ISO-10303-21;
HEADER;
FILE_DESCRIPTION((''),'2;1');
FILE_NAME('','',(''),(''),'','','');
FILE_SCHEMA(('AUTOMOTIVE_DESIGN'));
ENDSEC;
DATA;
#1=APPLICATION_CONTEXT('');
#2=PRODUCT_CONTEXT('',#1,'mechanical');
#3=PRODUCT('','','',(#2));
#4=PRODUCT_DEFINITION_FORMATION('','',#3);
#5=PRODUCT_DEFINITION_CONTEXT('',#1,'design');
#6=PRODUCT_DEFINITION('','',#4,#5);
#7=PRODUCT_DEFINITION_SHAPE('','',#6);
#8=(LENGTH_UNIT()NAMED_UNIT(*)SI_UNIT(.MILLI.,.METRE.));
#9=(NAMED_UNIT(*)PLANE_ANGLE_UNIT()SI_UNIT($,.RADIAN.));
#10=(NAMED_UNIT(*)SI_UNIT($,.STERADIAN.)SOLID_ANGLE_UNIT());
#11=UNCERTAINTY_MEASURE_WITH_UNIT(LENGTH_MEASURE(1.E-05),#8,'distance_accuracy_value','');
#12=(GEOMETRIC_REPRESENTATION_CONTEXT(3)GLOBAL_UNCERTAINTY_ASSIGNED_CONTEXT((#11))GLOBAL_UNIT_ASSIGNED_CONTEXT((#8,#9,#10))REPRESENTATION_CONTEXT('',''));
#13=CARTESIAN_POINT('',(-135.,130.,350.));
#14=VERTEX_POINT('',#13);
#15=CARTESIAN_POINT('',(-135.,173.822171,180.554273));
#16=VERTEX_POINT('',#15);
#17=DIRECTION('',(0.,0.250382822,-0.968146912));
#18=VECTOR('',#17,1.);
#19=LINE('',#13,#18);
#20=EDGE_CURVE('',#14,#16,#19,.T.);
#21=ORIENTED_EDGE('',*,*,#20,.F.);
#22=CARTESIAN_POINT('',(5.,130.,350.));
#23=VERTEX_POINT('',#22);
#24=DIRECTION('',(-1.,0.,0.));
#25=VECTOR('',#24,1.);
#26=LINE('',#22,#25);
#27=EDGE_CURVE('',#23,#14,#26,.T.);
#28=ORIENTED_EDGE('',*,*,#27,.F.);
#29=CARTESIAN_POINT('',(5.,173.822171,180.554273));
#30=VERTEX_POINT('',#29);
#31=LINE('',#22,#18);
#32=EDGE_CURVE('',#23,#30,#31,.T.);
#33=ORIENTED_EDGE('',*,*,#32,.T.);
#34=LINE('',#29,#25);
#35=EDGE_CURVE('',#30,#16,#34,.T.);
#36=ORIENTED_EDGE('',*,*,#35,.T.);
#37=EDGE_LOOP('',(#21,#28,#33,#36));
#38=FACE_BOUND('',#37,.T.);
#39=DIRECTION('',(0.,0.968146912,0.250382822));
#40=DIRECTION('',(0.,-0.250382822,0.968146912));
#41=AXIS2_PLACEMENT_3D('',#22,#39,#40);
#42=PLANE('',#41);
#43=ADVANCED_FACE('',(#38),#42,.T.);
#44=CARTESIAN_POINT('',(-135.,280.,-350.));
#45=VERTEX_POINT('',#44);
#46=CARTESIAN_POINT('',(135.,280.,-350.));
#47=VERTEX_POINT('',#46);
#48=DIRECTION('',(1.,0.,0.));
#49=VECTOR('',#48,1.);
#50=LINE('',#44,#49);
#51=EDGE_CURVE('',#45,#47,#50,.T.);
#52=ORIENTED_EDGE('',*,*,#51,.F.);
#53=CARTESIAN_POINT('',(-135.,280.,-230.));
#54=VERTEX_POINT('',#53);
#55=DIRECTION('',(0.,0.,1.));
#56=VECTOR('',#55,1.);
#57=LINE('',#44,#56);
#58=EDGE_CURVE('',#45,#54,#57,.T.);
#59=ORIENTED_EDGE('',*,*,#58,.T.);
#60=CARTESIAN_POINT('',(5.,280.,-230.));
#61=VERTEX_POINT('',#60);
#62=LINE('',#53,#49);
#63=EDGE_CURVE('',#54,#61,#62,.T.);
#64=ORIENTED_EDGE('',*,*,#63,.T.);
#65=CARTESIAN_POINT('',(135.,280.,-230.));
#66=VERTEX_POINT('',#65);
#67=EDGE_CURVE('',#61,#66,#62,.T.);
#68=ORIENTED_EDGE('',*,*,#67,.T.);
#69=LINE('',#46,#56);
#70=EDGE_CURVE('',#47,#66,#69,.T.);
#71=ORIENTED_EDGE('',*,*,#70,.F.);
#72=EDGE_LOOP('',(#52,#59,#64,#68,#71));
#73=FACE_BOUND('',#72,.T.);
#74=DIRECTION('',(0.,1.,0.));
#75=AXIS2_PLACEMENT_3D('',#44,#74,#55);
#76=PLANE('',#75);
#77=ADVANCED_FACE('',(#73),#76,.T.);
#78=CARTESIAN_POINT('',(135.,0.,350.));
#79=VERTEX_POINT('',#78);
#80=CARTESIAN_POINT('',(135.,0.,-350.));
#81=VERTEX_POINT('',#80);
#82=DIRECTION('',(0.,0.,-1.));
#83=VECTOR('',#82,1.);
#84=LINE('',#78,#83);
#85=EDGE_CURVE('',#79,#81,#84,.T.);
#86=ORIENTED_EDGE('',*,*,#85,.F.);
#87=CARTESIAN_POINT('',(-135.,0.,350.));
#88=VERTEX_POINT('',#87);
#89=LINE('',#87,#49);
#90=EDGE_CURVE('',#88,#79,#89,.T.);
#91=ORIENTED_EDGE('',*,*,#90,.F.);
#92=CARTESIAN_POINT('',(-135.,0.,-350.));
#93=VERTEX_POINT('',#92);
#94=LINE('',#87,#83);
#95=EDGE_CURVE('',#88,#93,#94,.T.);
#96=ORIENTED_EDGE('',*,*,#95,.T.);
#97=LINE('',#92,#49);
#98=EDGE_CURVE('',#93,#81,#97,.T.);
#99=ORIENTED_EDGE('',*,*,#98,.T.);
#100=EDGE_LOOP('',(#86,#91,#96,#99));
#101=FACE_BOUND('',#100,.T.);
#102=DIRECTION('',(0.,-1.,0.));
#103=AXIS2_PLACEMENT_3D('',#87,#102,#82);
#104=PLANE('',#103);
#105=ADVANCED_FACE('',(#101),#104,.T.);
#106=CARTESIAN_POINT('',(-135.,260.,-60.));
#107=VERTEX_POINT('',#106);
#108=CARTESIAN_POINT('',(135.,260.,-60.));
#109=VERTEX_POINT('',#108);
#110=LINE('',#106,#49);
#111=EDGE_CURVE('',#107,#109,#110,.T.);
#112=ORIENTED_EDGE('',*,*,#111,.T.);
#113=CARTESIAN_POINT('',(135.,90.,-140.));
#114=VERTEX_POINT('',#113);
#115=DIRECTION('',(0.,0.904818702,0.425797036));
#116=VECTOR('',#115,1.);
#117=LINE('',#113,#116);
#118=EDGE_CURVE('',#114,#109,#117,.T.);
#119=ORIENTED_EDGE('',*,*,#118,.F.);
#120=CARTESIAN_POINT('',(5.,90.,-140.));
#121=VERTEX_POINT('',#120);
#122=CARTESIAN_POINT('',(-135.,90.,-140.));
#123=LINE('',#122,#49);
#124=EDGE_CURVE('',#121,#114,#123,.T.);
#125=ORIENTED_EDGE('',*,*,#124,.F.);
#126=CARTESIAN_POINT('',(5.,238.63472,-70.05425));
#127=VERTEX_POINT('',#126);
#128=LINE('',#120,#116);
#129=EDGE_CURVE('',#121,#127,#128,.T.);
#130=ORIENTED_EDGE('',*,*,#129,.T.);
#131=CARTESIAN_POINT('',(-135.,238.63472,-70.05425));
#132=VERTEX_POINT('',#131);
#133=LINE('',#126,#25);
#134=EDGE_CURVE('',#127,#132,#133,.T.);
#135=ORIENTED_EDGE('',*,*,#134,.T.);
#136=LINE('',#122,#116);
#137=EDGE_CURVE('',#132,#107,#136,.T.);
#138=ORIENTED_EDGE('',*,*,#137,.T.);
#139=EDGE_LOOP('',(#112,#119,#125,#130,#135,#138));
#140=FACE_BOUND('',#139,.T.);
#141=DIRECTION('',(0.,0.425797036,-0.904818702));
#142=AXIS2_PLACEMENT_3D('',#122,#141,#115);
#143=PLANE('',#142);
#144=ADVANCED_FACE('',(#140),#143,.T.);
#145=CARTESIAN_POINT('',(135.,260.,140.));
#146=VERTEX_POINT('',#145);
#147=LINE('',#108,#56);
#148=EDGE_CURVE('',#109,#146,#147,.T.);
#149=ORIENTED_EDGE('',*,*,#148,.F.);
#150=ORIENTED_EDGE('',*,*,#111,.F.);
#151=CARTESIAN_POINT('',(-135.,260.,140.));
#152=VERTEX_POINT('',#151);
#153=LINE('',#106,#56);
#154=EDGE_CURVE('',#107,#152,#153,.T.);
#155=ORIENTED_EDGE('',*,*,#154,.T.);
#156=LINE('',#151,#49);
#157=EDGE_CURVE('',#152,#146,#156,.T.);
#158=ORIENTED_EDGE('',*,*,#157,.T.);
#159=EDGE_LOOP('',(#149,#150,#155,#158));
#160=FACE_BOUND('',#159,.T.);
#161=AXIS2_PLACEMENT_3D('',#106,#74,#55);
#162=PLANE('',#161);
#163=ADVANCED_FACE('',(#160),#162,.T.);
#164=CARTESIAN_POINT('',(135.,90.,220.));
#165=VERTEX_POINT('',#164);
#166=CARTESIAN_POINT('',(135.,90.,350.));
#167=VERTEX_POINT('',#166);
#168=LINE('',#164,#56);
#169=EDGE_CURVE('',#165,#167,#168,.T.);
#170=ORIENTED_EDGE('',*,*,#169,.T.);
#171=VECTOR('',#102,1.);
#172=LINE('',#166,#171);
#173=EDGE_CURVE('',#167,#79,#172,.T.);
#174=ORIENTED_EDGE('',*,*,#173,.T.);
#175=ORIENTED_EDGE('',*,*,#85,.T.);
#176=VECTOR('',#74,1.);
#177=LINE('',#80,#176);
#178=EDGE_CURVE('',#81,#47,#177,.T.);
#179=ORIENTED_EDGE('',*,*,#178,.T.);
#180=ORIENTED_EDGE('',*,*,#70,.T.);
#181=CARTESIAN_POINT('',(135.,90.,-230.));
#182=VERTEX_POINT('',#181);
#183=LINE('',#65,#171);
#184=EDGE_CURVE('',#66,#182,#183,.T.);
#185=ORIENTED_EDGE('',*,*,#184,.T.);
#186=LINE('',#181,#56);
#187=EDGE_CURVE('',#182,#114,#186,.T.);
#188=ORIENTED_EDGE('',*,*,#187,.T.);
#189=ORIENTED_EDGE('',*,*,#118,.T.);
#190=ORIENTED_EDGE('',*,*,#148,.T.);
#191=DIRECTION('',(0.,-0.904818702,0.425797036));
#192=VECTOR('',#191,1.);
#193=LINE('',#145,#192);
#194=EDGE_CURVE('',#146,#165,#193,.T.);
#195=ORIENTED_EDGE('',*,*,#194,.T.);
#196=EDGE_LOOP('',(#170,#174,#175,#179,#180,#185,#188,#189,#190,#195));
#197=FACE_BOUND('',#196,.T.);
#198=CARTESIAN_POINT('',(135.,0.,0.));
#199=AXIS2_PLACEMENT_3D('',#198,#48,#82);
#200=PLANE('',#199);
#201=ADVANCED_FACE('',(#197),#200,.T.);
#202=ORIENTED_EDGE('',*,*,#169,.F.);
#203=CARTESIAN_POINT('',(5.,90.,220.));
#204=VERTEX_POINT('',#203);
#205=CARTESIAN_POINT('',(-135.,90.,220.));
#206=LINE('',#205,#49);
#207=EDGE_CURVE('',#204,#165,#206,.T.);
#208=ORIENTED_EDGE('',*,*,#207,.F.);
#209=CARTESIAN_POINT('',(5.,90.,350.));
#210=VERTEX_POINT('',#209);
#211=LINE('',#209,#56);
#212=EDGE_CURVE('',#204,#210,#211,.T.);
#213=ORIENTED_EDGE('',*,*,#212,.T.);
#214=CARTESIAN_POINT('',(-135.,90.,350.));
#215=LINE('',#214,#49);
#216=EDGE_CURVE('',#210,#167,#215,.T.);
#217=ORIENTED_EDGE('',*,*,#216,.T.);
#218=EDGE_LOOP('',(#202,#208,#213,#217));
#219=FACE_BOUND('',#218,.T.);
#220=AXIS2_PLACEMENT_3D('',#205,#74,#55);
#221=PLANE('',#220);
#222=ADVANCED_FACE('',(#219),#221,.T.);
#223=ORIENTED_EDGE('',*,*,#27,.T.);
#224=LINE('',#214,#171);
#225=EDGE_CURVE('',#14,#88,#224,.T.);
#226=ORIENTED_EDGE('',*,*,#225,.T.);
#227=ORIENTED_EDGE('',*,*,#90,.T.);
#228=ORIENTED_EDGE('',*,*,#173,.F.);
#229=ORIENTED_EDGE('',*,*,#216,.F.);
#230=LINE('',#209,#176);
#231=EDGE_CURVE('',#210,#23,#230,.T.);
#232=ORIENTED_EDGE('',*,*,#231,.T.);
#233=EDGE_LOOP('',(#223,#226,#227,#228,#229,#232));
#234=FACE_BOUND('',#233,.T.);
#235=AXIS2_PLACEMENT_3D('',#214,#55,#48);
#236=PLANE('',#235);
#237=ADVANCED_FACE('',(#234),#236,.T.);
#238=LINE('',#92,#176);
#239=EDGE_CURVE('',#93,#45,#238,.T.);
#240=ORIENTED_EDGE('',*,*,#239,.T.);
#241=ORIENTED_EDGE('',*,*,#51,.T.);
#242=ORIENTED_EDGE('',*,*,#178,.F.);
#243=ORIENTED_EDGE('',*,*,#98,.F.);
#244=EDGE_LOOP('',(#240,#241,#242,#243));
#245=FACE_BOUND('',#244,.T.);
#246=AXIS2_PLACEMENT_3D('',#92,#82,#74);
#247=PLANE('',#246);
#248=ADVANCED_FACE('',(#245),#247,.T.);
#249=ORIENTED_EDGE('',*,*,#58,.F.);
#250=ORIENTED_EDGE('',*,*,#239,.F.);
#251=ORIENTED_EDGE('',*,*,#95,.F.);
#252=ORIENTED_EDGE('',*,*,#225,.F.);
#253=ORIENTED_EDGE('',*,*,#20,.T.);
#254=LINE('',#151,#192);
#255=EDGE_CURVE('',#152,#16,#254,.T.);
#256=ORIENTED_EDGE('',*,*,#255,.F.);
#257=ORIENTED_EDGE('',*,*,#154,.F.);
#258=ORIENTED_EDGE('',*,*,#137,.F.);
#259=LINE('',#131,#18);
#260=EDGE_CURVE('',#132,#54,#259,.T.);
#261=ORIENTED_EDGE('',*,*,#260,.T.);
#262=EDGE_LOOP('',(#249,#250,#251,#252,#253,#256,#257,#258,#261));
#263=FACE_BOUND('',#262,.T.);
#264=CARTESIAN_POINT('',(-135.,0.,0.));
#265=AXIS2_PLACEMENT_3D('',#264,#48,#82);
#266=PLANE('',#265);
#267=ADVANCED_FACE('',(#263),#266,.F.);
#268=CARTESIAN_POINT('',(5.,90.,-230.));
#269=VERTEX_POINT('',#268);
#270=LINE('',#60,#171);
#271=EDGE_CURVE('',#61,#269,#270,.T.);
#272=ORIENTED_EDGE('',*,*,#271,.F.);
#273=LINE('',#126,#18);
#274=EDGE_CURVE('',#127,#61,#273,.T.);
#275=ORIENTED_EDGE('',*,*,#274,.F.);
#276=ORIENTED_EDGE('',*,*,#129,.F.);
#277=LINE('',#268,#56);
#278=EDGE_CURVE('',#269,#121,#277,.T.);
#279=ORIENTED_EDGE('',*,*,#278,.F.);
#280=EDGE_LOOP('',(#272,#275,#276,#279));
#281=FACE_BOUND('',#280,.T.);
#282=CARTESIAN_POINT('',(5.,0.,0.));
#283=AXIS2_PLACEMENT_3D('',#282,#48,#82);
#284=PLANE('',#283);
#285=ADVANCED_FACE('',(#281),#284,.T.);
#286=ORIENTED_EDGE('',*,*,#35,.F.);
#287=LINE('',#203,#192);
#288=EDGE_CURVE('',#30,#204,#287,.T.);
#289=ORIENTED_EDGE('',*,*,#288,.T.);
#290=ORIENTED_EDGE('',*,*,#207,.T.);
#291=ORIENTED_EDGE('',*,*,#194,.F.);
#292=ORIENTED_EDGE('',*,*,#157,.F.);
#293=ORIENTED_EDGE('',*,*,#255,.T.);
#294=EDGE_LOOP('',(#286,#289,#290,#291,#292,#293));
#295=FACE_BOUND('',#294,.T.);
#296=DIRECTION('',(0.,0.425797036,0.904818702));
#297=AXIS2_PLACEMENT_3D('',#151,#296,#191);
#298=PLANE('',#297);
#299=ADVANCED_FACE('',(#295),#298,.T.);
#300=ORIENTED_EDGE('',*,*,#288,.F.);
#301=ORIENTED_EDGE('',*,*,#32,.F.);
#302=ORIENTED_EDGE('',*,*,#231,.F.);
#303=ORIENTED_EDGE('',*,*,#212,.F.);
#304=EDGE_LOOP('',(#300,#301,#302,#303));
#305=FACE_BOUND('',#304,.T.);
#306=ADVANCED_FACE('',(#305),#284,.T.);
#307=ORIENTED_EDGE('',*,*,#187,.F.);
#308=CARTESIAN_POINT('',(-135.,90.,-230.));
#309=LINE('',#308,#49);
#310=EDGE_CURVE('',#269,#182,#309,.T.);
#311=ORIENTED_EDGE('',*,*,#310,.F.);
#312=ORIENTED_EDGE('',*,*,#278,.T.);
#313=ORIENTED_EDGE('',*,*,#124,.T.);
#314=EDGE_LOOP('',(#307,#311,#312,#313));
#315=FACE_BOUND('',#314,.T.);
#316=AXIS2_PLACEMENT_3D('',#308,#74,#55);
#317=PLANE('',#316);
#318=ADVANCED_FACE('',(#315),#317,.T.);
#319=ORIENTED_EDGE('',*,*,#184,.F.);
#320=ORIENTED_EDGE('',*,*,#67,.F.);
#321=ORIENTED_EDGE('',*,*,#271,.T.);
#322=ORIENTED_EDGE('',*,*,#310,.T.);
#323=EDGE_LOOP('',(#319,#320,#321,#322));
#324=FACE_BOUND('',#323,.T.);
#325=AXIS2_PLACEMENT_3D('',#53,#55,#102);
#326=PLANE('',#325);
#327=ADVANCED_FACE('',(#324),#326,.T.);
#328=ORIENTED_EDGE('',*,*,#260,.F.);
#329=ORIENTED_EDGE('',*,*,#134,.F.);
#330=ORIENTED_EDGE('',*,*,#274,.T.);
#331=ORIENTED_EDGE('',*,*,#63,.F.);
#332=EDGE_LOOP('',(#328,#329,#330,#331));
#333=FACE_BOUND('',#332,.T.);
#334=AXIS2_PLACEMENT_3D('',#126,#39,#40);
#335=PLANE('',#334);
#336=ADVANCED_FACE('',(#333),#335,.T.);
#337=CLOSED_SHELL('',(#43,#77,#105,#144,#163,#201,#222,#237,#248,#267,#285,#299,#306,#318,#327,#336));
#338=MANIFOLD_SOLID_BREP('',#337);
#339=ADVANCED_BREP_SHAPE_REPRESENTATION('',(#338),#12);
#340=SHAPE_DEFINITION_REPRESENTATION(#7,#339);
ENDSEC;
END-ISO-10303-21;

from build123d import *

# Parameters (mm, degrees)
BOSS_EXTRUDE1_DEPTH      = 135
BOSS_EXTRUDE1_DEPTH_BACK = 135
BOSS_EXTRUDE2_DEPTH      = 140


with BuildPart() as part:
    # Sketch1 → Boss-Extrude1 (new, two sides: drawn at the far end of the back side and taken through both)
    with BuildSketch(Plane(origin=(0, 0, 0), x_dir=(0, 0, -1), z_dir=(1, 0, 0)).offset(-BOSS_EXTRUDE1_DEPTH_BACK)):
        Polygon((-350, 90), (-350, 0), (350, 0), (350, 280), (230, 280), (230, 90), (140, 90), (60, 260), (-140, 260), (-220, 90), align=None)
    extrude(amount=BOSS_EXTRUDE1_DEPTH + BOSS_EXTRUDE1_DEPTH_BACK)

    # Sketch3 → Boss-Extrude2 (add)
    with BuildSketch(Plane.ZY.offset(135)):
        Polygon((350, 90), (350, 130), (180.554272517, 173.822170901), (220, 90), align=None)
        Polygon((-230, 280), (-230, 90), (-140, 90), (-70.054249548, 238.634719711), align=None)
    extrude(amount=-BOSS_EXTRUDE2_DEPTH)


solid = part.part
